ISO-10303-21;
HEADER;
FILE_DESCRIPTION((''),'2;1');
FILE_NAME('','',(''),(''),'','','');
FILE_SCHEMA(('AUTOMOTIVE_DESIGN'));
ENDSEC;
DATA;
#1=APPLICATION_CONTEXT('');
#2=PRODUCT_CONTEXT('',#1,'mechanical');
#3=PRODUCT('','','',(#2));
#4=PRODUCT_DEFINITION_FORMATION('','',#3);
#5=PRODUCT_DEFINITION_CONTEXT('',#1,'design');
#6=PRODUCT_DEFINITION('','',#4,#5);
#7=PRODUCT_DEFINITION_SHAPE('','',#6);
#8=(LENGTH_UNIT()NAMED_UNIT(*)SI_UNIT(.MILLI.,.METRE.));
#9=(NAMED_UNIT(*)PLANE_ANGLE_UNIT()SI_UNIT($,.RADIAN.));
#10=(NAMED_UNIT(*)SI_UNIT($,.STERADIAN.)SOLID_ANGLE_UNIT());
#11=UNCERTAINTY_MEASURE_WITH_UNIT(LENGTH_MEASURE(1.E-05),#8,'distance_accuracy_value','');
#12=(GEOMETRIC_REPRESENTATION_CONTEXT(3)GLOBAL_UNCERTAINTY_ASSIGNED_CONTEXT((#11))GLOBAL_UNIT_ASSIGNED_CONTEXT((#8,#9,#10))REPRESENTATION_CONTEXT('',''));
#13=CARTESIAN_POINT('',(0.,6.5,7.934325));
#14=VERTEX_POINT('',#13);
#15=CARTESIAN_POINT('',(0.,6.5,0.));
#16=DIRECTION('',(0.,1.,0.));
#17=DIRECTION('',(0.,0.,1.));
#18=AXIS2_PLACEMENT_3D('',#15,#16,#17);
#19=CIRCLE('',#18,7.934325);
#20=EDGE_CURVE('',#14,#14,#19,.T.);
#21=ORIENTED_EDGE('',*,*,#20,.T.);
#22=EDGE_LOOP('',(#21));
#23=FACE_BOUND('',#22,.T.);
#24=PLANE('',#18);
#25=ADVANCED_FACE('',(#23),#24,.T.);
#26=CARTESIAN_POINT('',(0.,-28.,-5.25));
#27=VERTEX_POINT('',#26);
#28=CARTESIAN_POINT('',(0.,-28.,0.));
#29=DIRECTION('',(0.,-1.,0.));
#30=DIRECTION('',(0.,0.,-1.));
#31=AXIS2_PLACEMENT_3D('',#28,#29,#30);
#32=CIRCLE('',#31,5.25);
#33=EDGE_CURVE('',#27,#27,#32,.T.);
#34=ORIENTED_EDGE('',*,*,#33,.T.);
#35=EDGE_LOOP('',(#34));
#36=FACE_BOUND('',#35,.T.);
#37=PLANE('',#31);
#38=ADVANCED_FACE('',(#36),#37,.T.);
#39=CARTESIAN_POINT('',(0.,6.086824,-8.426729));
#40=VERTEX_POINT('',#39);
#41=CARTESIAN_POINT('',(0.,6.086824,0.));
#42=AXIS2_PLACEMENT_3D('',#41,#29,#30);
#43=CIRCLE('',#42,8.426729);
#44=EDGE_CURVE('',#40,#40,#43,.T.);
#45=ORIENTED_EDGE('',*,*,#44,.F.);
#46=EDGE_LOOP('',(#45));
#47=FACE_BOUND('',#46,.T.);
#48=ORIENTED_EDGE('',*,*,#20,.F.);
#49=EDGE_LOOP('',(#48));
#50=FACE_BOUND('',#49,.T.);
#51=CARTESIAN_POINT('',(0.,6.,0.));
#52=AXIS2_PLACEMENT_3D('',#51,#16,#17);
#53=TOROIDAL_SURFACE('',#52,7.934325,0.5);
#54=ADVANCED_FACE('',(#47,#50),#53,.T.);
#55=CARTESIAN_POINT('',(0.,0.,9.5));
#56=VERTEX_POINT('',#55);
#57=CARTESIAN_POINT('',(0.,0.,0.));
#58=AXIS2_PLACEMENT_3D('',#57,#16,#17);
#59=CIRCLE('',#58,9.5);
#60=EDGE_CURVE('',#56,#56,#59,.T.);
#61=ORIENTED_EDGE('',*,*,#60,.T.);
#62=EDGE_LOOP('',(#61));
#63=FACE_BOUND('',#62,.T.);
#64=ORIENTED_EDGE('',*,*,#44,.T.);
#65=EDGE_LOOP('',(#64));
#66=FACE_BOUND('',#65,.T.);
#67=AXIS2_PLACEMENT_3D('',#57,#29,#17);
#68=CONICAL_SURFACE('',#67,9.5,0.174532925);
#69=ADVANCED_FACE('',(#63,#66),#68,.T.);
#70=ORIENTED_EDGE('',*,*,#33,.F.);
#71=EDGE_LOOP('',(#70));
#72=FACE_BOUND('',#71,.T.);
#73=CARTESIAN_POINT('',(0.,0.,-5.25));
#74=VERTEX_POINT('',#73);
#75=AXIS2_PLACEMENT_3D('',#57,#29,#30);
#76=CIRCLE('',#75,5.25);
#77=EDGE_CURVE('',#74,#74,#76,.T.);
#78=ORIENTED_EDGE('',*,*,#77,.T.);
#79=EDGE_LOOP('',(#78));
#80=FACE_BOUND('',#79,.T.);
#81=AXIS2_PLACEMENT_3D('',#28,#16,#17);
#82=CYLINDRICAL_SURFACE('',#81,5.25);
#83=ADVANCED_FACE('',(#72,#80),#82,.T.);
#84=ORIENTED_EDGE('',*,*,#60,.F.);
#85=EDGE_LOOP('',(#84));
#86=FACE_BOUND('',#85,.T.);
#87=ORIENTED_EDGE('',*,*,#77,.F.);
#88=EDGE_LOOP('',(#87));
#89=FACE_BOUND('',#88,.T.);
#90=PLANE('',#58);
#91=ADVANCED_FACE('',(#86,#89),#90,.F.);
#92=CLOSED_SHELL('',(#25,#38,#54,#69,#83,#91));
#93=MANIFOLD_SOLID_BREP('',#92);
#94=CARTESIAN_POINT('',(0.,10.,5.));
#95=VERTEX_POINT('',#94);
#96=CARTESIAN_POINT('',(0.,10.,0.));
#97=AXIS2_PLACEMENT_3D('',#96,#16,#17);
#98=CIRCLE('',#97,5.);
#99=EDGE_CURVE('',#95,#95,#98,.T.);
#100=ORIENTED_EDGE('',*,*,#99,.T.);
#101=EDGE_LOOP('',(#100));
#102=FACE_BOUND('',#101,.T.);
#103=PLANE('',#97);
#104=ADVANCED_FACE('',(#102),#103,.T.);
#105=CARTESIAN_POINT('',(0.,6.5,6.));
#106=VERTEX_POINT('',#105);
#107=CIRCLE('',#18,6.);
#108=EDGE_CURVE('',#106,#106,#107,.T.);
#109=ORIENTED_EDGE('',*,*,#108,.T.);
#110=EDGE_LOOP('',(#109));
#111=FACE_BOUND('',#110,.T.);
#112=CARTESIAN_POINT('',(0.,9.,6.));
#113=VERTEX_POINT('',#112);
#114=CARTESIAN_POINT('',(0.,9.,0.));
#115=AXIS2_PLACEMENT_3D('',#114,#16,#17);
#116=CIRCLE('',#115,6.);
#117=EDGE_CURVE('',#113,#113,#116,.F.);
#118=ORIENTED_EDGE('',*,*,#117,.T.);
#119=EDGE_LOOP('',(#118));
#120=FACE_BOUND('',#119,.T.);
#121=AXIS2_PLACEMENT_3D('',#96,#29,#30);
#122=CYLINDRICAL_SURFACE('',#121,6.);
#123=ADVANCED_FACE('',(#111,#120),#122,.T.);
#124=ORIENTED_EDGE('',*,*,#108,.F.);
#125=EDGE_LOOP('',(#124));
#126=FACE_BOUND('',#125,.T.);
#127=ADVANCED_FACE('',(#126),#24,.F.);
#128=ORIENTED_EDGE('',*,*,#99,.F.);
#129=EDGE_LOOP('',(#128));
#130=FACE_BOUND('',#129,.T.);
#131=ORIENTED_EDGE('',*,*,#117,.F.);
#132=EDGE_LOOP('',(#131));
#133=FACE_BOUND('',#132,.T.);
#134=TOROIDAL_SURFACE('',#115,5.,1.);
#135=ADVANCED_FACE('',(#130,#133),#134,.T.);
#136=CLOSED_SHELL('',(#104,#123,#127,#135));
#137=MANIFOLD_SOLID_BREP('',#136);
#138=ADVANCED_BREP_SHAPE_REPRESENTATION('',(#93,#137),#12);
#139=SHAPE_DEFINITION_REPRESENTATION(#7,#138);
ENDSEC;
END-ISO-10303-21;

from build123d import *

# Parameters (mm, degrees)
SKETCH1_R           = 9.5
BOSS_EXTRUDE1_DEPTH = 6.5
BOSS_EXTRUDE1_TAPER = 10
SKETCH2_R           = 6
BOSS_EXTRUDE2_DEPTH = 3.5
SKETCH3_R           = 5.25
BOSS_EXTRUDE3_DEPTH = 28
FILLET1_R           = 1
FILLET2_R           = 0.5


with BuildPart() as part:
    # Sketch1 → Boss-Extrude1 (new body)
    with BuildSketch(Plane(origin=(0, 0, 0), x_dir=(1, 0, 0), z_dir=(0, 1, 0))):
        Circle(SKETCH1_R)
    extrude(amount=BOSS_EXTRUDE1_DEPTH, taper=BOSS_EXTRUDE1_TAPER)

    # Sketch3 → Boss-Extrude3 (add)
    with BuildSketch(Plane.XZ):
        with Locations(Location((0, 0, 0), (0, 0, 270))):
            Circle(SKETCH3_R)
    extrude(amount=BOSS_EXTRUDE3_DEPTH)

    # Fillet2
    fillet2_edges = [part.edges().sort_by_distance(p)[0] for p in [
        (-8.353874625, 6.5, 0),
    ]]
    fillet(fillet2_edges, radius=FILLET2_R)


with BuildPart() as body_2:
    # Sketch2 → Boss-Extrude2 (new body)
    with BuildSketch(Plane(origin=(0, 6.5, 0), x_dir=(1, 0, 0), z_dir=(0, 1, 0))):
        with Locations(Location((0, 0, 0), (0, 0, 270))):
            Circle(SKETCH2_R)
    extrude(amount=BOSS_EXTRUDE2_DEPTH)

    # Fillet1
    fillet1_edges = [body_2.edges().sort_by_distance(p)[0] for p in [
        (0, 10, -6),
    ]]
    fillet(fillet1_edges, radius=FILLET1_R)


solid = Compound([part.part, body_2.part])
